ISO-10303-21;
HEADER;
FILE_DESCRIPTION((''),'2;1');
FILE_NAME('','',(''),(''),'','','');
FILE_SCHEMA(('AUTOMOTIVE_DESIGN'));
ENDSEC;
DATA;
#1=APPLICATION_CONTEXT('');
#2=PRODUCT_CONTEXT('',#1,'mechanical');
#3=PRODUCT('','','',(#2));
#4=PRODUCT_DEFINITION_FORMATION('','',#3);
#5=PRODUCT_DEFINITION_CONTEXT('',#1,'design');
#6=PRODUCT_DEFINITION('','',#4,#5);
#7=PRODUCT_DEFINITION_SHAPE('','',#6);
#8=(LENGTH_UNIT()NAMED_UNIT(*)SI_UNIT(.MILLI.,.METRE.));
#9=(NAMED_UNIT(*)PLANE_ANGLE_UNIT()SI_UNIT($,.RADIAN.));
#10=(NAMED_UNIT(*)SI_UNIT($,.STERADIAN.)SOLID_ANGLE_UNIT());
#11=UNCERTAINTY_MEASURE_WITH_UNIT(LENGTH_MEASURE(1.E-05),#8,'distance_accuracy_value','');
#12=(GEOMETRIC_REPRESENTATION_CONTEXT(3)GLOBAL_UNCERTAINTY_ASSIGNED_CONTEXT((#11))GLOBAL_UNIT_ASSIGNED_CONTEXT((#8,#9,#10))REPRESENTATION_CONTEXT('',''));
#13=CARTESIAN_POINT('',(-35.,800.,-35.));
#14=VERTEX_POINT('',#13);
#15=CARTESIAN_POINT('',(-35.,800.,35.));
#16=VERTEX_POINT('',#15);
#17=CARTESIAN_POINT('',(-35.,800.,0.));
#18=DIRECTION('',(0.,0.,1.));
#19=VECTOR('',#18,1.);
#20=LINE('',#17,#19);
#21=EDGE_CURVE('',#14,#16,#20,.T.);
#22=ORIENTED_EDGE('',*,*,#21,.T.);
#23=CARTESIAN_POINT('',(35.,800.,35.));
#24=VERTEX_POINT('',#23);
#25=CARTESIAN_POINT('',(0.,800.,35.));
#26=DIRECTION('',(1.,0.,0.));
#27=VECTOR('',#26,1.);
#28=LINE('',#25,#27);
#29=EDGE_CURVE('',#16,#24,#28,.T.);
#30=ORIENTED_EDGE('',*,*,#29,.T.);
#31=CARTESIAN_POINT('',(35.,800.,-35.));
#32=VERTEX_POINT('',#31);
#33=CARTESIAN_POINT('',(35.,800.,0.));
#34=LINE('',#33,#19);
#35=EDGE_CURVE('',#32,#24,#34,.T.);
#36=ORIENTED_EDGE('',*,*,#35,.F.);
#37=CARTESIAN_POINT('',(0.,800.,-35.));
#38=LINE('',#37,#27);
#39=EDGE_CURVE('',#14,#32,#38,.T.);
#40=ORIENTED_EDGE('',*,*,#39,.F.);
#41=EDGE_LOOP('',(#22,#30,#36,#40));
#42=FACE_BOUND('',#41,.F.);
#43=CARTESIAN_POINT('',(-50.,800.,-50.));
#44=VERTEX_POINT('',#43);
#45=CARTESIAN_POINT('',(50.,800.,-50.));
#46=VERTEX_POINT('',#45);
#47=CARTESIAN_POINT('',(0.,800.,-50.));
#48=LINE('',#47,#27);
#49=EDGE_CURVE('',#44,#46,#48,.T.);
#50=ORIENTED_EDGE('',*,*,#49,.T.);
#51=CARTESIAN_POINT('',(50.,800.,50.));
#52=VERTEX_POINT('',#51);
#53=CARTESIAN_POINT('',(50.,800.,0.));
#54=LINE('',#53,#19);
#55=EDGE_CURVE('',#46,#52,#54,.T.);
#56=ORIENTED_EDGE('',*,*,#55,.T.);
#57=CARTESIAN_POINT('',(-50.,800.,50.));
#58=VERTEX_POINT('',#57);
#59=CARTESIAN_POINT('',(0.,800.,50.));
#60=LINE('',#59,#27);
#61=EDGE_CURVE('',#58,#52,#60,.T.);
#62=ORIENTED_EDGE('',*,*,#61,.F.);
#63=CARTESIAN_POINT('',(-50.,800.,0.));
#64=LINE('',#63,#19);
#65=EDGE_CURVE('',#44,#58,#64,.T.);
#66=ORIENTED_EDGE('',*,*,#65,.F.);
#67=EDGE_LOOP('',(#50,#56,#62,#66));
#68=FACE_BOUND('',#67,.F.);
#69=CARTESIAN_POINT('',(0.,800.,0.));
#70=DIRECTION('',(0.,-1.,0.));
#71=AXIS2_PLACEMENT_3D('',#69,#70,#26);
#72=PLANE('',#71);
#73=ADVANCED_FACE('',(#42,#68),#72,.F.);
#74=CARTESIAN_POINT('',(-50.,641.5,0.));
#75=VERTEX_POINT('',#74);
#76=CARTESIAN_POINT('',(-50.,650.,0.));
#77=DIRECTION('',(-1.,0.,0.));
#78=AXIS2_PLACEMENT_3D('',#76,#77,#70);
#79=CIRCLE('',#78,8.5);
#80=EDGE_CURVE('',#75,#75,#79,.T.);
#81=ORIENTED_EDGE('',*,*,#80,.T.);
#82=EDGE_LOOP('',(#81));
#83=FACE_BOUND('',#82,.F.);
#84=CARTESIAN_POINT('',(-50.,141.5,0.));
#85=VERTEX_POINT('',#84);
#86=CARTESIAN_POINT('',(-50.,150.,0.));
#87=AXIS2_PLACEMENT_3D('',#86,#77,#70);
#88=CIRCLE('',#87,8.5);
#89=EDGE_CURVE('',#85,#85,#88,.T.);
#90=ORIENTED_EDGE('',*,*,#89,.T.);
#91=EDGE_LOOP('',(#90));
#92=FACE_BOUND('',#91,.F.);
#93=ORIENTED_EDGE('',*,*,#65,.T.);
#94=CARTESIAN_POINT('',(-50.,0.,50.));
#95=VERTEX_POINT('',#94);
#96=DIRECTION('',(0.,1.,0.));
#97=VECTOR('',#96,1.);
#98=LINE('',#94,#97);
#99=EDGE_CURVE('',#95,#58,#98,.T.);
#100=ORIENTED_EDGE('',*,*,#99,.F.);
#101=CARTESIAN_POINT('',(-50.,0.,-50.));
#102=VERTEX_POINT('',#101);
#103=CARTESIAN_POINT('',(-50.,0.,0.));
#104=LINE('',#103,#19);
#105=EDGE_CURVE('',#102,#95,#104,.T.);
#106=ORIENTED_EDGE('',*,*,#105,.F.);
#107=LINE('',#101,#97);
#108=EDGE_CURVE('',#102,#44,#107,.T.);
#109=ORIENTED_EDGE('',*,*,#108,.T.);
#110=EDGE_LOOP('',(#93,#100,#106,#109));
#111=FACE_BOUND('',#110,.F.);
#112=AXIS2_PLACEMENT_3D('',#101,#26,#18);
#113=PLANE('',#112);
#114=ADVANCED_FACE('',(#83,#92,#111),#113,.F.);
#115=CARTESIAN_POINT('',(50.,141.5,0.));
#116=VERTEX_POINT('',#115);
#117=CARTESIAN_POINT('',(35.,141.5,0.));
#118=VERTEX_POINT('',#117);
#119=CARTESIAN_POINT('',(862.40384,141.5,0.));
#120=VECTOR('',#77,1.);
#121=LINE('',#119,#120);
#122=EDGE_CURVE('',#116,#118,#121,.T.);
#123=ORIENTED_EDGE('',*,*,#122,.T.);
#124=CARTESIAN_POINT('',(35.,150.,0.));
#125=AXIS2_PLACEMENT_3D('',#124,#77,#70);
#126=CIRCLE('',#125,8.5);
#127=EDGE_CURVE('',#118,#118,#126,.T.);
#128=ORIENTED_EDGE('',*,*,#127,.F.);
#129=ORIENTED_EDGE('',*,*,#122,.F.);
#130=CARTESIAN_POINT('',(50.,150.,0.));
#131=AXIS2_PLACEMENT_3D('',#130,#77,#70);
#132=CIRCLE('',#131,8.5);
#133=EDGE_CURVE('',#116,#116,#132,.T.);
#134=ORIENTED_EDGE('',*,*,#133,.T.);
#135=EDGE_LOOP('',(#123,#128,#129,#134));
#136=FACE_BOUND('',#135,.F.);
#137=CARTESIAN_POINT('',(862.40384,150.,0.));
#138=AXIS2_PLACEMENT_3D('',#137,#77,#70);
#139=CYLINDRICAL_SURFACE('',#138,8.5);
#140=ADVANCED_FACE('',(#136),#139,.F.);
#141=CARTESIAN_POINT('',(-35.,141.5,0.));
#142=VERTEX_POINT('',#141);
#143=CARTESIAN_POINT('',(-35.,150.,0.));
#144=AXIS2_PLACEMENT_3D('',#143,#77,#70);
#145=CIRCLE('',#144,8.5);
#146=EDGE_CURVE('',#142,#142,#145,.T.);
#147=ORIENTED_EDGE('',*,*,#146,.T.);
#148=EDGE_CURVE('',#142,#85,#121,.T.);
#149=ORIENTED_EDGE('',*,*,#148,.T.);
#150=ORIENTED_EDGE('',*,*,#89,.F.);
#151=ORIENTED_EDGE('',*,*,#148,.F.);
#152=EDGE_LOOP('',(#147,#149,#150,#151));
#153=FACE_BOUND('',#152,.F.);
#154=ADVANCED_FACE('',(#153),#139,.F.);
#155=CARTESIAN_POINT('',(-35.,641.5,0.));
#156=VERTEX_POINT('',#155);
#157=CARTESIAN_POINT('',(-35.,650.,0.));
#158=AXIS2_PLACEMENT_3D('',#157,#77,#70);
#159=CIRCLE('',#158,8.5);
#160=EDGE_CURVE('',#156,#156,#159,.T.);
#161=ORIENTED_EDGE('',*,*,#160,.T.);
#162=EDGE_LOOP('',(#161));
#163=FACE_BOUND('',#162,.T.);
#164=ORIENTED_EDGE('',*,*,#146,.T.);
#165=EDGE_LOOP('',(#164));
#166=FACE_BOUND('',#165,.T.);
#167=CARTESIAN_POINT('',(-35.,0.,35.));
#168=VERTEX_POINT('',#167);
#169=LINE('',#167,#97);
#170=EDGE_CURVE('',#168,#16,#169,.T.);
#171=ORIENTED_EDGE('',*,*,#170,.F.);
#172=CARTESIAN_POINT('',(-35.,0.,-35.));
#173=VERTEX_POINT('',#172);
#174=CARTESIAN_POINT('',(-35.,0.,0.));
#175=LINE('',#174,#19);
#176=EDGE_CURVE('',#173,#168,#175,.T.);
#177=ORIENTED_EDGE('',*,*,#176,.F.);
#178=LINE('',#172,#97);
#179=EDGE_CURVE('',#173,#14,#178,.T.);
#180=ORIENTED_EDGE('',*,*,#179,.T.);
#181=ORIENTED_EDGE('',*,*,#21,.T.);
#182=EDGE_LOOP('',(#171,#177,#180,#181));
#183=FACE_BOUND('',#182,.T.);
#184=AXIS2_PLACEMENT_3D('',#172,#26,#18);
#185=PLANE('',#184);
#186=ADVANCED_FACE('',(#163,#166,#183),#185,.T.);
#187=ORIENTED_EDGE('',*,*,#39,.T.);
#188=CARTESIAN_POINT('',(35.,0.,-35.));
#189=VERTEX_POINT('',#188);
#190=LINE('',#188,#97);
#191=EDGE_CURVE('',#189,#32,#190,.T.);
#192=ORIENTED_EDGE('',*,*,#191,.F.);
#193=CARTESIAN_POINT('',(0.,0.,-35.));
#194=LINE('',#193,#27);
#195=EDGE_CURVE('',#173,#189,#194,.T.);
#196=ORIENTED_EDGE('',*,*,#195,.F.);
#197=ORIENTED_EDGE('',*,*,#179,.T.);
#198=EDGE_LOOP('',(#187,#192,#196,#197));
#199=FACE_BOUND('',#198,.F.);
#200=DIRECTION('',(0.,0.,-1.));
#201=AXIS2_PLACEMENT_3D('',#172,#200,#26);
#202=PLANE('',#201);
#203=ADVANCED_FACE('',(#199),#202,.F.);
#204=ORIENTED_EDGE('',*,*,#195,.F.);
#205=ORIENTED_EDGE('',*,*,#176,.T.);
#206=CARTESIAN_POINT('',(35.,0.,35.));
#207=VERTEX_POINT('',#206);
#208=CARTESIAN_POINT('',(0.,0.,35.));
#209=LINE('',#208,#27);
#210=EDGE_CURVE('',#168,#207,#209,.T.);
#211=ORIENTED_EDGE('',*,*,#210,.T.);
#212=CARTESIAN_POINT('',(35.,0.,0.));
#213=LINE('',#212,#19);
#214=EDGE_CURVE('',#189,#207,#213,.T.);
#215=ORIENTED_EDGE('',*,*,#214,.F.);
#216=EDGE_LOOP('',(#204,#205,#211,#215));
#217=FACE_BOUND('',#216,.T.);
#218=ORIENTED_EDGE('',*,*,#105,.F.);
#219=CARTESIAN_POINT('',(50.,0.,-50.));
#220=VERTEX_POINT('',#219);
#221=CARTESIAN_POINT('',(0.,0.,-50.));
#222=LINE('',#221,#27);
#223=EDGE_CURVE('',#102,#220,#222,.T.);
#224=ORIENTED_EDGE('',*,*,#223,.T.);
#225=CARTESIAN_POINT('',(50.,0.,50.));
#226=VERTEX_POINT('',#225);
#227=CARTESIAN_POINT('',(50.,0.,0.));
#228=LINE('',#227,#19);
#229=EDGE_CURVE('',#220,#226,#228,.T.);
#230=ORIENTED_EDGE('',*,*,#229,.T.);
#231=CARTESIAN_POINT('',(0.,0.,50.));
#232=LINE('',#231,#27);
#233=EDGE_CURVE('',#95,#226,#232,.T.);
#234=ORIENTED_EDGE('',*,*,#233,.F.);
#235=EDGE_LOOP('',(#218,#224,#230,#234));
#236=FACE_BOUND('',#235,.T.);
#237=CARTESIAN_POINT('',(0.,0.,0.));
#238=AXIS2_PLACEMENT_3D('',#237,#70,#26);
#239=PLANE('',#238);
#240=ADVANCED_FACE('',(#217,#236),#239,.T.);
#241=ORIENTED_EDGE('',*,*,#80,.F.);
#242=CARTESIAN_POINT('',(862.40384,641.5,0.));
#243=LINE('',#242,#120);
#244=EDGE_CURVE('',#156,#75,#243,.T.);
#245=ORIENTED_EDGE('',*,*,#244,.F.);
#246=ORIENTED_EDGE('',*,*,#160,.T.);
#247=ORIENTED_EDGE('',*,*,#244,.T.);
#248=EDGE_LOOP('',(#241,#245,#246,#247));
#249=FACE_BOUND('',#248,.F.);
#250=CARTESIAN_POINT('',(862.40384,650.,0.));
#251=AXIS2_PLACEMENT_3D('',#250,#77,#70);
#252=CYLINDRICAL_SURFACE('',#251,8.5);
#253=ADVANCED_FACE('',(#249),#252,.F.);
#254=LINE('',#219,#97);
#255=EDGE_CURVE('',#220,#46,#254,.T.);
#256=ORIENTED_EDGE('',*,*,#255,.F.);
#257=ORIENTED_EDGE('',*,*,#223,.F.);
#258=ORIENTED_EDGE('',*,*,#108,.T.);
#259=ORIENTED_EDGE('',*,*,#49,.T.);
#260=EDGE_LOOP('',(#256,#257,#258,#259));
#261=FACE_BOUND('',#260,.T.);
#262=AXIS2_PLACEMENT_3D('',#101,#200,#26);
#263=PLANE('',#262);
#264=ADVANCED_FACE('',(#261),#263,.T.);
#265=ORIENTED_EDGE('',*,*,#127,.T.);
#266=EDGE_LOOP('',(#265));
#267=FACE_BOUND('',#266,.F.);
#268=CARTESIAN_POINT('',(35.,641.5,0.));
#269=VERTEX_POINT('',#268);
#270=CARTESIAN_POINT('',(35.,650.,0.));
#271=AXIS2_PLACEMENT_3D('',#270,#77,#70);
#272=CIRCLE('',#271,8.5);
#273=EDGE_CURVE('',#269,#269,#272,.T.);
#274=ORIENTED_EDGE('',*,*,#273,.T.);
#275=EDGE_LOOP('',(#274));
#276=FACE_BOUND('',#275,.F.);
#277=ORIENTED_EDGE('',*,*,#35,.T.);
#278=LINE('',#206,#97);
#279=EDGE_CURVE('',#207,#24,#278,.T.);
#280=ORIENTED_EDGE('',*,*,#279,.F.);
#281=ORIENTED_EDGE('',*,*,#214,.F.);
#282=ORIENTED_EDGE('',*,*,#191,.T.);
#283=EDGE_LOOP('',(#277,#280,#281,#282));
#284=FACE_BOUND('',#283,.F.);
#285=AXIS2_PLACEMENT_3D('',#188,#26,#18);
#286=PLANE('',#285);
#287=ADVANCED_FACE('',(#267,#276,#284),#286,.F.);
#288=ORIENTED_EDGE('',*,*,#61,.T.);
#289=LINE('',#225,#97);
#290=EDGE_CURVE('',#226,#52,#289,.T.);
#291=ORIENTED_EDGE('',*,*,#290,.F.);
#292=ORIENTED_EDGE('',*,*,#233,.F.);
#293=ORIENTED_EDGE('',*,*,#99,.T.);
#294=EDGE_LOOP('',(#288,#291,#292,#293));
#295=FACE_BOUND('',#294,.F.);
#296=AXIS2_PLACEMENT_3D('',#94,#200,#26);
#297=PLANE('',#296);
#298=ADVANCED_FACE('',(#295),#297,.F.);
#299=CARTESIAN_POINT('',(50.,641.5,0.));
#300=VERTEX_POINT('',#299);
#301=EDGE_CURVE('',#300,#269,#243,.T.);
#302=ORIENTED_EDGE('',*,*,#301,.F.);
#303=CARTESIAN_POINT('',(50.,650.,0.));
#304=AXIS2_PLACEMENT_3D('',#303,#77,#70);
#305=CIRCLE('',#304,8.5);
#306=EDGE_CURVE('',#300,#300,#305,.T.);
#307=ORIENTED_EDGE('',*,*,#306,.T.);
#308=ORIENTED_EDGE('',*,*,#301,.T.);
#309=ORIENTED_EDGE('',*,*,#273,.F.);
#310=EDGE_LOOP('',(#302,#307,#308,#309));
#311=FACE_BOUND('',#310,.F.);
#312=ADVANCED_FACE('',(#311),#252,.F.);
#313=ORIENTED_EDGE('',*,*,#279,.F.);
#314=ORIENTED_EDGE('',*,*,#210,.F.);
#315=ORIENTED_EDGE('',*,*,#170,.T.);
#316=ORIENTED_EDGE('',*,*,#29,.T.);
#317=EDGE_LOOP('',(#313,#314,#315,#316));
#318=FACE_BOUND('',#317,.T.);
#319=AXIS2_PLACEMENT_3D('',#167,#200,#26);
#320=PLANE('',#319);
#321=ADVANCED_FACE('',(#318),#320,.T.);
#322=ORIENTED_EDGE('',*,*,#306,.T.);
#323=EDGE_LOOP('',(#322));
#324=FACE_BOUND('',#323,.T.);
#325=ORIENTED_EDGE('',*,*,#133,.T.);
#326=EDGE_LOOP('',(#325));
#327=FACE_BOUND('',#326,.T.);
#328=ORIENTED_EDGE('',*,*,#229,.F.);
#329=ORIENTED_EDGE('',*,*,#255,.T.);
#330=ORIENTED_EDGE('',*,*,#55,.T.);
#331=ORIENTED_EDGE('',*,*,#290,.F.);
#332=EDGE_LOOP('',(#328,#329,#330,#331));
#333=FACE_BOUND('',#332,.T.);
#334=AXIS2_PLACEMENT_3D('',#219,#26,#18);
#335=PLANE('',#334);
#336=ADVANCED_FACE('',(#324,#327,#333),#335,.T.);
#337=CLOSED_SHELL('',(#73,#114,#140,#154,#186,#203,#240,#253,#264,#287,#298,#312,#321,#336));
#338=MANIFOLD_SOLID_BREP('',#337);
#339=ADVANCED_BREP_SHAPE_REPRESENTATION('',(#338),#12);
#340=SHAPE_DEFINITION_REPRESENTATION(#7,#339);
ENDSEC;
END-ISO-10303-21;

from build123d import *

# Parameters (mm, degrees)
F0_W     = 100
F0_H     = 100
F0_W_2   = 70
F0_H_2   = 70
F1_DEPTH = 800
F3_D     = 17


with BuildPart() as f1:
    # F0 (on Front) → F1 (new body)
    with BuildSketch(Plane.XZ):
        Rectangle(F0_W, F0_H)
        Rectangle(F0_W_2, F0_H_2, mode=Mode.SUBTRACT)
    extrude(amount=-F1_DEPTH)

    # F3 (through all)
    with Locations(Plane.YZ.offset(50)):
        with Locations((150, 0), (650, 0)):
            Hole(F3_D / 2)


solid = f1.part
